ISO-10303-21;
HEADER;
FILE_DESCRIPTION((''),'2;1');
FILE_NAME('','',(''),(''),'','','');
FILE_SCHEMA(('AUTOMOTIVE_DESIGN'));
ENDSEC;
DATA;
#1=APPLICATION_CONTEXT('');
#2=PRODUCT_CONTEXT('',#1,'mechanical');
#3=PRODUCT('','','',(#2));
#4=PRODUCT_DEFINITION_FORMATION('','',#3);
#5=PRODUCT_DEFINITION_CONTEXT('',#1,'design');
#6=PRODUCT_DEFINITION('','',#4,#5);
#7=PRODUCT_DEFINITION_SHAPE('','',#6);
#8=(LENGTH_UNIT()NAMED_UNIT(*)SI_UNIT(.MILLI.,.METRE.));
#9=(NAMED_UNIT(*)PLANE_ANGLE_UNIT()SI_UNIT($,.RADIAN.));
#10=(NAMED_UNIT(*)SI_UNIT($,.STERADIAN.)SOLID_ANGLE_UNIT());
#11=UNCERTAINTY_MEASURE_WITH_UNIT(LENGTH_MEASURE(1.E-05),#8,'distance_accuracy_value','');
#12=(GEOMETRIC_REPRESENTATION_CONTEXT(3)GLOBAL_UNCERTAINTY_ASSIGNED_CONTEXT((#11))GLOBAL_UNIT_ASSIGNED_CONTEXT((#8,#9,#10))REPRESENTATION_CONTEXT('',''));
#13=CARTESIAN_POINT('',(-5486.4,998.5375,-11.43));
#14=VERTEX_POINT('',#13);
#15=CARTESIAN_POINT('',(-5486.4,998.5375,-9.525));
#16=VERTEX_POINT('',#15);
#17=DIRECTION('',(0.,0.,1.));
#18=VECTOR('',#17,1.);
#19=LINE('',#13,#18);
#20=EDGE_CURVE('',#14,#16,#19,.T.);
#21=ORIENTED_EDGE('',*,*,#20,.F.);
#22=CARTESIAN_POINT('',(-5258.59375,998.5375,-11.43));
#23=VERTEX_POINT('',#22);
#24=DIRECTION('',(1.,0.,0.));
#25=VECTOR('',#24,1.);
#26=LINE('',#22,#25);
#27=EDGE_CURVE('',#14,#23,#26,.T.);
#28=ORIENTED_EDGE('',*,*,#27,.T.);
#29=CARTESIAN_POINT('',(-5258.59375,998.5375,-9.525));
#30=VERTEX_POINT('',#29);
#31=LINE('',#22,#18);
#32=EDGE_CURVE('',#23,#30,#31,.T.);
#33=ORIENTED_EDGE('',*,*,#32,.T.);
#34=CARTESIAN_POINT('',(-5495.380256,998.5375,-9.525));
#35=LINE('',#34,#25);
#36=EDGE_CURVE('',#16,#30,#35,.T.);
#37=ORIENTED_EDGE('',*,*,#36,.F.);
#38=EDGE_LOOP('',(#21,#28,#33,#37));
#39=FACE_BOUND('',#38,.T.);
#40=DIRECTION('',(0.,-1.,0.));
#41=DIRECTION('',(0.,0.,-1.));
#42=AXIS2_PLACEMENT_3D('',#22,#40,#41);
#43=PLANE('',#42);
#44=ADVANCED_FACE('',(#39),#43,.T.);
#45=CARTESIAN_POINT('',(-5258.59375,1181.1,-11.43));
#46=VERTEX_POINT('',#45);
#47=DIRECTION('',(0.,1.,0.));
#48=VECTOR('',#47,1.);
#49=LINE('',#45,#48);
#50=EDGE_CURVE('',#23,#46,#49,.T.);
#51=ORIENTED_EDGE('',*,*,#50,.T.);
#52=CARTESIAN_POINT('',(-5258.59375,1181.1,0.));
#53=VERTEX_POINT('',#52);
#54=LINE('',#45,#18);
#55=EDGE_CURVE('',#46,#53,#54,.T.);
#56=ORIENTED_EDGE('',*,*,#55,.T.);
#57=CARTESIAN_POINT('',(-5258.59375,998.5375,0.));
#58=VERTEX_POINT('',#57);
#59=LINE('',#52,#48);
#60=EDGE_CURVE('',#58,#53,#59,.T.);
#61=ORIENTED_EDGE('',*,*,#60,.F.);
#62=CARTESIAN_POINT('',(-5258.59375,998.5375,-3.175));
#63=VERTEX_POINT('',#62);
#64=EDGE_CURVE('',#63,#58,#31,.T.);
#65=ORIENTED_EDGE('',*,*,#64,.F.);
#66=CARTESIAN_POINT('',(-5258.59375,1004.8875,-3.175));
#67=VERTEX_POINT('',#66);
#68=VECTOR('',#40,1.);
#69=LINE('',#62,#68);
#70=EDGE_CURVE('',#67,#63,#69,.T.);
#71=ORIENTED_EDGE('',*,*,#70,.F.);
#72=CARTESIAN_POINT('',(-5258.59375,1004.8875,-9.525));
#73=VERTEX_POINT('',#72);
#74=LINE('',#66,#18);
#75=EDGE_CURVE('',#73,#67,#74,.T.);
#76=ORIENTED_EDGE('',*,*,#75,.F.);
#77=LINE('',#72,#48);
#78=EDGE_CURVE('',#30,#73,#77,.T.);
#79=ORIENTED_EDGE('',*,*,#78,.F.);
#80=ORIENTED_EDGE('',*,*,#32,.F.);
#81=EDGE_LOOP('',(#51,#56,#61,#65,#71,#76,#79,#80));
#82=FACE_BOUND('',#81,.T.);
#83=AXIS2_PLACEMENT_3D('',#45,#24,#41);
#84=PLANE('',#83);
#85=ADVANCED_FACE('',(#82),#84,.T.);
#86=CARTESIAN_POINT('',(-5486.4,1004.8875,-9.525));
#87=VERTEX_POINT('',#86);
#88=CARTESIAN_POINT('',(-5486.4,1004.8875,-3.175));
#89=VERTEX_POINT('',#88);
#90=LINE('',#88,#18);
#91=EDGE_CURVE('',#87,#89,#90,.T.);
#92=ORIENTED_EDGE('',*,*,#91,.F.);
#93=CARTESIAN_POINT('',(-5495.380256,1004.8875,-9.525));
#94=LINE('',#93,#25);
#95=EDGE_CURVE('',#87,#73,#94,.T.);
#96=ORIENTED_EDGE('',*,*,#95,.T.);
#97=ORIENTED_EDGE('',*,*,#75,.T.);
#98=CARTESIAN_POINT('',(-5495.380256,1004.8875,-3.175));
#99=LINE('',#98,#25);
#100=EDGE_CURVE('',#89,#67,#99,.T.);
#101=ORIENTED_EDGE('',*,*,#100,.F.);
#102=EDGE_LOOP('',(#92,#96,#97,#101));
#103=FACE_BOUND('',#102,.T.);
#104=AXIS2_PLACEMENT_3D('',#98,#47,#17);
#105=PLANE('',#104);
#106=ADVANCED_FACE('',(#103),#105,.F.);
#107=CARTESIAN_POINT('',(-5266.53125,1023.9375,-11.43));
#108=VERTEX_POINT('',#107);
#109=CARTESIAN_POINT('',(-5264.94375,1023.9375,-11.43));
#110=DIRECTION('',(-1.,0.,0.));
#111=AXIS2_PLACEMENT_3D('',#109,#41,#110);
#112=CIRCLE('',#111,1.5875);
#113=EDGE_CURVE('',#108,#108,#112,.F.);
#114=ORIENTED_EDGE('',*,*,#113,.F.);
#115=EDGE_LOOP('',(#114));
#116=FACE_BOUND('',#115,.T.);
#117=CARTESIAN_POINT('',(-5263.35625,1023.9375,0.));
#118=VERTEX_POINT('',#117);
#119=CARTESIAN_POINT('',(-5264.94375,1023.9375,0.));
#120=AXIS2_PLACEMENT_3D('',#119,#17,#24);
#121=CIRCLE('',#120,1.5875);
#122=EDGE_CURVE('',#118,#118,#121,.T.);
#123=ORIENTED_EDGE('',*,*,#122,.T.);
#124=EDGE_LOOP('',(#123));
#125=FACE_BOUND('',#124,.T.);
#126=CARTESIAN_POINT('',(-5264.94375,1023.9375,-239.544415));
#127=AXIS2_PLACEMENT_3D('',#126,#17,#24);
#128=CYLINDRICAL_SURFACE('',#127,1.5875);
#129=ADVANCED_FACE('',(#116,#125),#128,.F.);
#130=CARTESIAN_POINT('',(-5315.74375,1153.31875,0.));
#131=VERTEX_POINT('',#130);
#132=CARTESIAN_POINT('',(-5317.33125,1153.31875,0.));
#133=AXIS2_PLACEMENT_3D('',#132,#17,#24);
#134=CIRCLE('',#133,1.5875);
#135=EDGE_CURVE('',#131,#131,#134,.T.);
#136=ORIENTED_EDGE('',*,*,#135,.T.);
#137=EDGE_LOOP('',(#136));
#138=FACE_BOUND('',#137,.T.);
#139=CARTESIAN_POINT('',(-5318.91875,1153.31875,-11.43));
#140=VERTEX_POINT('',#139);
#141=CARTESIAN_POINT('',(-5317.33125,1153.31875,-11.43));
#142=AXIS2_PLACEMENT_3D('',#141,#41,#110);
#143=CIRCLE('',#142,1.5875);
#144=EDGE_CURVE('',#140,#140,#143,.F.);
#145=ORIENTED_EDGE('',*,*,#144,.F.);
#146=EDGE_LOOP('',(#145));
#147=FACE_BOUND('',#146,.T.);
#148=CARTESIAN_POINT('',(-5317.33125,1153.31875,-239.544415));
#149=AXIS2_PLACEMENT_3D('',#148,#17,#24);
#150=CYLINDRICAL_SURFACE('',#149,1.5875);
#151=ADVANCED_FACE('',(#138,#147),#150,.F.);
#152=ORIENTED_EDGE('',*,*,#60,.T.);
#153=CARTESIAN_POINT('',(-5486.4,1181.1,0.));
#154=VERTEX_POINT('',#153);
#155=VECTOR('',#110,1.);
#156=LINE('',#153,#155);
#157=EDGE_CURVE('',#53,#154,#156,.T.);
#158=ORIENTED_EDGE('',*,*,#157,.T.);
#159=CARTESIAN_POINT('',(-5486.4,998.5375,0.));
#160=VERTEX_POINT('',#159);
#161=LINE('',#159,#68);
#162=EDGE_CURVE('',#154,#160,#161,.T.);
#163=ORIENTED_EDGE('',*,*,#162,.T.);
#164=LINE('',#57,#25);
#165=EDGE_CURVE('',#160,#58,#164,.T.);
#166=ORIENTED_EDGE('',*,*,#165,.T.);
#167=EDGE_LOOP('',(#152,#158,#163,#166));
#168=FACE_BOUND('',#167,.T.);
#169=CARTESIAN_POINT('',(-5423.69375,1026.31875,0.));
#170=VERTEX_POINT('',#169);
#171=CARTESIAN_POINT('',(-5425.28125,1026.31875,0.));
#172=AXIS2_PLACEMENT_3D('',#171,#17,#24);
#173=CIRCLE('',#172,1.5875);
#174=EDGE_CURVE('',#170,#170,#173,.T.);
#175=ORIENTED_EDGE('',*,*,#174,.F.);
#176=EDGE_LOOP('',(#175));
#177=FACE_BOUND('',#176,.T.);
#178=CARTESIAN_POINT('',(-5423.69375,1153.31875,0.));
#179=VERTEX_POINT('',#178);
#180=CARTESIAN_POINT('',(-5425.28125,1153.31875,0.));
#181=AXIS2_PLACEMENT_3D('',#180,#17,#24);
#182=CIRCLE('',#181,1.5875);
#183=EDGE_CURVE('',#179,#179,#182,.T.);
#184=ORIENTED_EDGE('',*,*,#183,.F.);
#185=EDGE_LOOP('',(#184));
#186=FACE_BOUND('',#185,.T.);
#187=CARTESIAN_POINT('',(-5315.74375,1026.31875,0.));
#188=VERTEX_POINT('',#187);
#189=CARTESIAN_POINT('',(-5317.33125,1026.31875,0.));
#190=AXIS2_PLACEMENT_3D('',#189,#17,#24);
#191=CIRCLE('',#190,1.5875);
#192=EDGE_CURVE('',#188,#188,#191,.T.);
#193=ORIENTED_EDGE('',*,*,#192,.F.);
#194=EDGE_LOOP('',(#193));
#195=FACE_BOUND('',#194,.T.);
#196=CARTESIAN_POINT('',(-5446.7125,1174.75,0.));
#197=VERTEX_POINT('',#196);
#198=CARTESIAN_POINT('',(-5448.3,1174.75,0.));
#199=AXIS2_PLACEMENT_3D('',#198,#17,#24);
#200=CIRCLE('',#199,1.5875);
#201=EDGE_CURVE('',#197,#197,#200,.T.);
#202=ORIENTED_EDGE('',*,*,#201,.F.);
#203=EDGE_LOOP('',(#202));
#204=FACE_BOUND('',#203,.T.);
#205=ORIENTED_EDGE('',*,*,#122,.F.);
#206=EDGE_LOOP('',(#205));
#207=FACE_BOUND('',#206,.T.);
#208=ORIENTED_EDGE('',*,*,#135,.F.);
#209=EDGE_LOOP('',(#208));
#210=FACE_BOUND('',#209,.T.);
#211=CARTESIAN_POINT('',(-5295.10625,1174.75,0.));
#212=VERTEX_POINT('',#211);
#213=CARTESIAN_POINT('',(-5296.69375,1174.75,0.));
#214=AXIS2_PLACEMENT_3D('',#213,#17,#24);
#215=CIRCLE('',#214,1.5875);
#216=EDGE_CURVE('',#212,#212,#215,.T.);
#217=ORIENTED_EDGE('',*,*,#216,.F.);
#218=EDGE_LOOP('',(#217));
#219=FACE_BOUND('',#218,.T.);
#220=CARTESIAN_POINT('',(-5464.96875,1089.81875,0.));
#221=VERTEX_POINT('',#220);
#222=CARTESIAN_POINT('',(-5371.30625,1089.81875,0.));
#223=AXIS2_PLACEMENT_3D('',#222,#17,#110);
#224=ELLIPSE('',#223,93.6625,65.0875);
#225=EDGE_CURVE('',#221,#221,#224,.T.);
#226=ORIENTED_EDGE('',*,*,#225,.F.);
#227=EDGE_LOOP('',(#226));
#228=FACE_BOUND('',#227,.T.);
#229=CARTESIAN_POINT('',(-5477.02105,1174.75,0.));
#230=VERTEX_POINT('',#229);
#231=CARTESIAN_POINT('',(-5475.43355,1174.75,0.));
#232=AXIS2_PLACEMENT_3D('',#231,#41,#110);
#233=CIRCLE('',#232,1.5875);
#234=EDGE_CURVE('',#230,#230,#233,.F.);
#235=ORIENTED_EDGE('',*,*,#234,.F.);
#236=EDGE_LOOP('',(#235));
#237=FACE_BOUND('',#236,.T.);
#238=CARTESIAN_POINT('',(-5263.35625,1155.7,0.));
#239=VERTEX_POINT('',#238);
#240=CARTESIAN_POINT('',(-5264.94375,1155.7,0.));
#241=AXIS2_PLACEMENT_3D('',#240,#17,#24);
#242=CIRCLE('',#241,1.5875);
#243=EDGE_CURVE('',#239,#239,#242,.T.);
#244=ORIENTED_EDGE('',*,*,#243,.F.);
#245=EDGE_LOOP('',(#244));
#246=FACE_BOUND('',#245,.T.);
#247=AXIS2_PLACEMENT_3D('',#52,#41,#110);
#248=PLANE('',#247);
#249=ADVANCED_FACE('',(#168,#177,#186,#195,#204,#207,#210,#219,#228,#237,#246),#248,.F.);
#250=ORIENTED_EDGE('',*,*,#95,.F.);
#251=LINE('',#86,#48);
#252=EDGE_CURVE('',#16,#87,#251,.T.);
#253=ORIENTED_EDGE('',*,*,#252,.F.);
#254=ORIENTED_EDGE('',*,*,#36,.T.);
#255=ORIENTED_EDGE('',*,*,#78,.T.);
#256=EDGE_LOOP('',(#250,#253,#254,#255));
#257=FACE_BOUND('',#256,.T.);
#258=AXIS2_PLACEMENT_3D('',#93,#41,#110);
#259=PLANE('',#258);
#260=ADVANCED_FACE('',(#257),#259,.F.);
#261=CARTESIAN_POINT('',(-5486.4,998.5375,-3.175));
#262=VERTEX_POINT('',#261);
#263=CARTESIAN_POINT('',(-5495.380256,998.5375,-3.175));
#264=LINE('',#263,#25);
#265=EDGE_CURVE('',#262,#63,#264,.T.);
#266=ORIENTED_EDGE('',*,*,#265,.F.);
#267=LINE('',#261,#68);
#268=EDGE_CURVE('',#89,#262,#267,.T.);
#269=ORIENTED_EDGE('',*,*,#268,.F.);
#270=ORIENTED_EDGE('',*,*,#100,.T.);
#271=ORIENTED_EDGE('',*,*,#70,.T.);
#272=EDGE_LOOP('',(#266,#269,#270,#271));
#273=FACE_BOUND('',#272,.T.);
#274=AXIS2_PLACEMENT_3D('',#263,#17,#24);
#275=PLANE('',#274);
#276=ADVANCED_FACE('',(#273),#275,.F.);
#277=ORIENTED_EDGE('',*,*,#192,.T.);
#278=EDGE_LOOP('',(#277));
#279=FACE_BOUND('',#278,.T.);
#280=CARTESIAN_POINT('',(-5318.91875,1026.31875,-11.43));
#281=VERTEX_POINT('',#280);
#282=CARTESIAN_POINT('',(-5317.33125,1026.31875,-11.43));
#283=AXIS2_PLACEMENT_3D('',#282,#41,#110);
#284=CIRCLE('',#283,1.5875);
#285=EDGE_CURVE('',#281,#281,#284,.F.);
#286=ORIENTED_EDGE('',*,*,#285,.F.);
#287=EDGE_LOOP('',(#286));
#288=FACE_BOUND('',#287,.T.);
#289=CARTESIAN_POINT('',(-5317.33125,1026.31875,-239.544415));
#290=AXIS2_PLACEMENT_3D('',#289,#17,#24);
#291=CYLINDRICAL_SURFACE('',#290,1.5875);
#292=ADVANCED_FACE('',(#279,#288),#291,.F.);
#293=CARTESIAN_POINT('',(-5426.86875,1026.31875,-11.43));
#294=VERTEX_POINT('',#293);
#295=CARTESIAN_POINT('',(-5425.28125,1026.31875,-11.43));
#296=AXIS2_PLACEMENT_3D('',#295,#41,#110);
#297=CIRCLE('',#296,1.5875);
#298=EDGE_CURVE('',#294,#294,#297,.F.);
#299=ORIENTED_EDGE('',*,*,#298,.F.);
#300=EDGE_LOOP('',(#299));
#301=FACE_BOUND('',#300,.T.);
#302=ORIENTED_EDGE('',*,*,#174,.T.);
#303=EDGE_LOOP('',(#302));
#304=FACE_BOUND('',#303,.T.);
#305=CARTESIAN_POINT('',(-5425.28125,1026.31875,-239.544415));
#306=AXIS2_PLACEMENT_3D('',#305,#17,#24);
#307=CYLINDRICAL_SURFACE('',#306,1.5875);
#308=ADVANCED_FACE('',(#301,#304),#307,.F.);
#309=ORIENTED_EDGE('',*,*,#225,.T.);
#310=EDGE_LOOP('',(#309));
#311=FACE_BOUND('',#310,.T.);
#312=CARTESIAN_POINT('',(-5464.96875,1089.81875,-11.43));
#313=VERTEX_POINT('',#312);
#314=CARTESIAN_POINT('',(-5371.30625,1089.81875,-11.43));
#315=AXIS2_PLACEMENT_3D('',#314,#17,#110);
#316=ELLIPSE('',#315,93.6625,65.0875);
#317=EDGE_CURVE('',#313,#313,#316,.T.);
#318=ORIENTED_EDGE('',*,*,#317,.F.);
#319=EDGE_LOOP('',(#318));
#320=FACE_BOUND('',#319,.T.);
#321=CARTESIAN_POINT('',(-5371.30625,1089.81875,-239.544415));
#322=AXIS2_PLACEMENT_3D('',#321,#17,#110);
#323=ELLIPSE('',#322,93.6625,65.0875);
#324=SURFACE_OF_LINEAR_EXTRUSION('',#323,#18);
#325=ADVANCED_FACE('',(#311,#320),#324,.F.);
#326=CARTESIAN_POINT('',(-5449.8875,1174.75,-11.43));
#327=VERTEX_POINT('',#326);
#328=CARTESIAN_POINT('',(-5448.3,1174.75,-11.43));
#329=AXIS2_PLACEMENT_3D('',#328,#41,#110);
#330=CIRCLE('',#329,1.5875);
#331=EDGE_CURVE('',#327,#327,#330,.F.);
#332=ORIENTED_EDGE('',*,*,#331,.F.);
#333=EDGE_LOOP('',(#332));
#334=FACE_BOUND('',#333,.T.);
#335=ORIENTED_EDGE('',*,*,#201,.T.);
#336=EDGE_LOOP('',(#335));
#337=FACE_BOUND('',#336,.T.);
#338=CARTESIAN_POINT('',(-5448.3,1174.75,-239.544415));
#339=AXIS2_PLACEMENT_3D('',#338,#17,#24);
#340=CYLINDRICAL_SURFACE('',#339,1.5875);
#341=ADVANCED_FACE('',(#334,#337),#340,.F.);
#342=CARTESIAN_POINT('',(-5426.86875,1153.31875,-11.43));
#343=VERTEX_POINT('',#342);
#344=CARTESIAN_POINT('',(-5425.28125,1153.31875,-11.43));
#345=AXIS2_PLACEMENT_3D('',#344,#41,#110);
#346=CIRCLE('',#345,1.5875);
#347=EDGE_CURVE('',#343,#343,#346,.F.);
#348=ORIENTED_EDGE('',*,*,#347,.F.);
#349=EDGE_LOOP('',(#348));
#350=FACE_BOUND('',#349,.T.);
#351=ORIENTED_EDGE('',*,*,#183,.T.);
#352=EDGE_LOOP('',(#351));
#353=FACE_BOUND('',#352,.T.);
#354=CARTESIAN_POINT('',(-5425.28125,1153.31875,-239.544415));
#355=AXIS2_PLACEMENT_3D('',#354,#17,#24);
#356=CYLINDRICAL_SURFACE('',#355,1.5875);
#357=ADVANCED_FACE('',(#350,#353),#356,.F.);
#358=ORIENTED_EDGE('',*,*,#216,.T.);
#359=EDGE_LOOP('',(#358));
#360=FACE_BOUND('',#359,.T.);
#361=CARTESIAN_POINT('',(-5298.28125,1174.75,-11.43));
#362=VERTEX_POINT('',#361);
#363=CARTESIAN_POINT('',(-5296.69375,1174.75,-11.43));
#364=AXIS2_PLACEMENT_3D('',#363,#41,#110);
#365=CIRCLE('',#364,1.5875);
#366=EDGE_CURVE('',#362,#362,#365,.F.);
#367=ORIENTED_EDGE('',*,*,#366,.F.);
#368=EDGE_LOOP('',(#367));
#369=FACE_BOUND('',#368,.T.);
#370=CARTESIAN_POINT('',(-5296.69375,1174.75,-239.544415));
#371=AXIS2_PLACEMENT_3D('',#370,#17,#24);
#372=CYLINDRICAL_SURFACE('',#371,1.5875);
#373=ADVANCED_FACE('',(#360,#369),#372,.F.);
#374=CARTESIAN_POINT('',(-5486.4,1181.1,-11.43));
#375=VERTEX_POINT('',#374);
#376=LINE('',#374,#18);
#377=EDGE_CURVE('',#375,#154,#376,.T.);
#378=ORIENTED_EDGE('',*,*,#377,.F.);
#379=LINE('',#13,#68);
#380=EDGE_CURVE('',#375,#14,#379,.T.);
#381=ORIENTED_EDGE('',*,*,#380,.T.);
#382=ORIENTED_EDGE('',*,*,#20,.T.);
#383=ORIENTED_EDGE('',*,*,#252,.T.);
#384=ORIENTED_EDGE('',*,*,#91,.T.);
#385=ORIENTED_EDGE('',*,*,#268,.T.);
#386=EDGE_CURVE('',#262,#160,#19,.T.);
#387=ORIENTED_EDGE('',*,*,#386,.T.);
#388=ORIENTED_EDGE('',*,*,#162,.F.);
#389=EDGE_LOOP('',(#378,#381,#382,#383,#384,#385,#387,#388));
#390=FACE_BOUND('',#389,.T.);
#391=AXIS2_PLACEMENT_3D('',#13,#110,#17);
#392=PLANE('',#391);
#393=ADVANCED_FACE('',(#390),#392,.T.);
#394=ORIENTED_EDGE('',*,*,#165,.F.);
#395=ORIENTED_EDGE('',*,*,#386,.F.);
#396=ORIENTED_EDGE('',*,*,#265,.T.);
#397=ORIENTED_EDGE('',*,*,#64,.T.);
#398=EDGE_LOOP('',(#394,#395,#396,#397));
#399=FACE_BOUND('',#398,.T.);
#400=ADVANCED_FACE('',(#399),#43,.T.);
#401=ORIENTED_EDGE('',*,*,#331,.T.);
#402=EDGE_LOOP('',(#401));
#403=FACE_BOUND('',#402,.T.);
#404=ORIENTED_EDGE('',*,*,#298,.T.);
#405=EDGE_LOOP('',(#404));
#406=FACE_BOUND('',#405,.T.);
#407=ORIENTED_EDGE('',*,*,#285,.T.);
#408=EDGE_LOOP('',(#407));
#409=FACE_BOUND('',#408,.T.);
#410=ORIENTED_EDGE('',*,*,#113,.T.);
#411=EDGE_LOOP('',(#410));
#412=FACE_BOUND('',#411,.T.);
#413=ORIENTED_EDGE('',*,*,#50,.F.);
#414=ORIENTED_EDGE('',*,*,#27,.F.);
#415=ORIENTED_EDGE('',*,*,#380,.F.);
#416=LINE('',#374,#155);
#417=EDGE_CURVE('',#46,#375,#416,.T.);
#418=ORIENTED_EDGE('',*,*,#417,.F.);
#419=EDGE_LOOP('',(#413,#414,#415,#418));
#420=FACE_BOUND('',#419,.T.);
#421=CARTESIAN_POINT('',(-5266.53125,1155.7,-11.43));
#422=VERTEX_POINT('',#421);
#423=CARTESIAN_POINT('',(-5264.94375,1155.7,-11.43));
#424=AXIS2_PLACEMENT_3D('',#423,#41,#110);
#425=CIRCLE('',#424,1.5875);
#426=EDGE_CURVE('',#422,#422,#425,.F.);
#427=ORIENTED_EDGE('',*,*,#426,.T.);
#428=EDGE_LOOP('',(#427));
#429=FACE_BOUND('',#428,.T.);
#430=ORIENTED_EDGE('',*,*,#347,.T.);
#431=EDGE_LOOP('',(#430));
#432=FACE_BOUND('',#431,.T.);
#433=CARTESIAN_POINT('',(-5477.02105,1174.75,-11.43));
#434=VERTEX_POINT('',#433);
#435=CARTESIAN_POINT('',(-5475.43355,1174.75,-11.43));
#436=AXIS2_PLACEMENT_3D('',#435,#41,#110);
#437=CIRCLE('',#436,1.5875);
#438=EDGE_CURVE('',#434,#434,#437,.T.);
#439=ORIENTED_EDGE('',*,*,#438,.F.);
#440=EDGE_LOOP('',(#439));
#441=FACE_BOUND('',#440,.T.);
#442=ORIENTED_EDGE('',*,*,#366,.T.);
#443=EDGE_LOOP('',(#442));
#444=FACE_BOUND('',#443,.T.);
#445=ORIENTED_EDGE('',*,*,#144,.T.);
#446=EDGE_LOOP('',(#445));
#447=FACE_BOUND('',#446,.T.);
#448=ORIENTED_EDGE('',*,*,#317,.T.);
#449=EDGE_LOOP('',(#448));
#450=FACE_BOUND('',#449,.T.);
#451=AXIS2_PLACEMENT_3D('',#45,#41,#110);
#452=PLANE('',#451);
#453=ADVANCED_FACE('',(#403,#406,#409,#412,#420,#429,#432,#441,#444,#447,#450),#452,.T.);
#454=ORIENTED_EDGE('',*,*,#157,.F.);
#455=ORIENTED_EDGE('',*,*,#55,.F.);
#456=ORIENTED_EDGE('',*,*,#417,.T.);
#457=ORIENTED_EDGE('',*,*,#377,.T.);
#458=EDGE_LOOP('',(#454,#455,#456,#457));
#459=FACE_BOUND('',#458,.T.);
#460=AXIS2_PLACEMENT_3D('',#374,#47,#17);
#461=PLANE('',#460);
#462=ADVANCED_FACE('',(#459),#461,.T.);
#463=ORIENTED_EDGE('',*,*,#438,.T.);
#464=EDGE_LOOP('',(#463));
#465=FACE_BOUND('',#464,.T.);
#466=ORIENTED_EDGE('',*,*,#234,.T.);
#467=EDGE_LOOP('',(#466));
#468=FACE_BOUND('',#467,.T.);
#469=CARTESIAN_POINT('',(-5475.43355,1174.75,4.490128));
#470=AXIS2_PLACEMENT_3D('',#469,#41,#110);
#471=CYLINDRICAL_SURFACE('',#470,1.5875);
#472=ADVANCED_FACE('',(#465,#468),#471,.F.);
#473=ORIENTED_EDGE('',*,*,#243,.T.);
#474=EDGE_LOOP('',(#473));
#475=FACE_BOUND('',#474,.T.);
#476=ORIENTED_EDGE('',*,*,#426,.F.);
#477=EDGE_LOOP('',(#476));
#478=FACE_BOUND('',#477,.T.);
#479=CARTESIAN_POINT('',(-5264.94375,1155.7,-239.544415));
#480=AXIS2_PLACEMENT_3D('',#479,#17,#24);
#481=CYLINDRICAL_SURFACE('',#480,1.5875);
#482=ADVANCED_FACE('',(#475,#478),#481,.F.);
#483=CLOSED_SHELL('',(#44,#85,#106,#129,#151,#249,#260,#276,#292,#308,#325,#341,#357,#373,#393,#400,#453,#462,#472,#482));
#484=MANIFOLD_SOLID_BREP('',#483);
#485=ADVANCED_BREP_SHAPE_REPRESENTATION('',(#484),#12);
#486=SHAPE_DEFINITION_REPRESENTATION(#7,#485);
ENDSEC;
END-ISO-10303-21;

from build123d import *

# Parameters (mm, degrees)
SPEAKERPANEL_W               = 227.80625
SPEAKERPANEL_H               = 182.5625
SPEAKERPANEL_THICKNESS_DEPTH = 11.43
SKETCH3_R                    = 1.5875
SKETCH3_RX                   = 93.6625
SKETCH3_RY                   = 65.087499997
SPEAKERCUTOUT_DEPTH          = 11.43
SPEAKERSLOTSCREEN_DEPTH      = 227.80625
SKETCH5_R                    = 1.5875
CUT_EXTRUDE1_DEPTH           = 11.43


with BuildPart() as part:
    # SpeakerPanel → SpeakerPanel_Thickness (new body)
    with BuildSketch(Plane.XY):
        with Locations((-5372.496875, 1089.81875)):
            Rectangle(SPEAKERPANEL_W, SPEAKERPANEL_H)
    extrude(amount=-SPEAKERPANEL_THICKNESS_DEPTH)

    # Sketch3 → SpeakerCutout (cut)
    with BuildSketch(Plane.XY):
        with Locations((-5448.3, 1174.75)):
            Circle(SKETCH3_R)
        with Locations((-5425.28125, 1153.31875)):
            Circle(SKETCH3_R)
        with Locations((-5296.69375, 1174.75)):
            Circle(SKETCH3_R)
        with Locations((-5317.33125, 1153.31875)):
            Circle(SKETCH3_R)
        with Locations((-5264.94375, 1155.7)):
            Circle(SKETCH3_R)
        with Locations((-5264.94375, 1023.9375)):
            Circle(SKETCH3_R)
        with Locations((-5317.33125, 1026.31875)):
            Circle(SKETCH3_R)
        with Locations((-5425.28125, 1026.31875)):
            Circle(SKETCH3_R)
        with Locations(Location((-5371.30625, 1089.81875), (0, 0, 180))):
            Ellipse(SKETCH3_RX, SKETCH3_RY)
    extrude(amount=-SPEAKERCUTOUT_DEPTH, mode=Mode.SUBTRACT)

    # Sketch4 → SpeakerSlotScreen (cut)
    with BuildSketch(Plane(origin=(-5258.59375, 0, 0), x_dir=(0, 0, -1), z_dir=(1, 0, 0))):
        Polygon((5.715, 998.5375), (3.175, 998.5375), (3.175, 1004.8875), (9.525, 1004.8875), (9.525, 998.5375), align=None)
    extrude(amount=-SPEAKERSLOTSCREEN_DEPTH, mode=Mode.SUBTRACT)

    # Sketch5 → Cut-Extrude1 (cut)
    with BuildSketch(Plane(origin=(0, 0, -11.43), x_dir=(-1, 0, 0), z_dir=(0, 0, -1))):
        with Locations((5475.43355, 1174.75)):
            Circle(SKETCH5_R)
    extrude(amount=-CUT_EXTRUDE1_DEPTH, mode=Mode.SUBTRACT)


solid = part.part
